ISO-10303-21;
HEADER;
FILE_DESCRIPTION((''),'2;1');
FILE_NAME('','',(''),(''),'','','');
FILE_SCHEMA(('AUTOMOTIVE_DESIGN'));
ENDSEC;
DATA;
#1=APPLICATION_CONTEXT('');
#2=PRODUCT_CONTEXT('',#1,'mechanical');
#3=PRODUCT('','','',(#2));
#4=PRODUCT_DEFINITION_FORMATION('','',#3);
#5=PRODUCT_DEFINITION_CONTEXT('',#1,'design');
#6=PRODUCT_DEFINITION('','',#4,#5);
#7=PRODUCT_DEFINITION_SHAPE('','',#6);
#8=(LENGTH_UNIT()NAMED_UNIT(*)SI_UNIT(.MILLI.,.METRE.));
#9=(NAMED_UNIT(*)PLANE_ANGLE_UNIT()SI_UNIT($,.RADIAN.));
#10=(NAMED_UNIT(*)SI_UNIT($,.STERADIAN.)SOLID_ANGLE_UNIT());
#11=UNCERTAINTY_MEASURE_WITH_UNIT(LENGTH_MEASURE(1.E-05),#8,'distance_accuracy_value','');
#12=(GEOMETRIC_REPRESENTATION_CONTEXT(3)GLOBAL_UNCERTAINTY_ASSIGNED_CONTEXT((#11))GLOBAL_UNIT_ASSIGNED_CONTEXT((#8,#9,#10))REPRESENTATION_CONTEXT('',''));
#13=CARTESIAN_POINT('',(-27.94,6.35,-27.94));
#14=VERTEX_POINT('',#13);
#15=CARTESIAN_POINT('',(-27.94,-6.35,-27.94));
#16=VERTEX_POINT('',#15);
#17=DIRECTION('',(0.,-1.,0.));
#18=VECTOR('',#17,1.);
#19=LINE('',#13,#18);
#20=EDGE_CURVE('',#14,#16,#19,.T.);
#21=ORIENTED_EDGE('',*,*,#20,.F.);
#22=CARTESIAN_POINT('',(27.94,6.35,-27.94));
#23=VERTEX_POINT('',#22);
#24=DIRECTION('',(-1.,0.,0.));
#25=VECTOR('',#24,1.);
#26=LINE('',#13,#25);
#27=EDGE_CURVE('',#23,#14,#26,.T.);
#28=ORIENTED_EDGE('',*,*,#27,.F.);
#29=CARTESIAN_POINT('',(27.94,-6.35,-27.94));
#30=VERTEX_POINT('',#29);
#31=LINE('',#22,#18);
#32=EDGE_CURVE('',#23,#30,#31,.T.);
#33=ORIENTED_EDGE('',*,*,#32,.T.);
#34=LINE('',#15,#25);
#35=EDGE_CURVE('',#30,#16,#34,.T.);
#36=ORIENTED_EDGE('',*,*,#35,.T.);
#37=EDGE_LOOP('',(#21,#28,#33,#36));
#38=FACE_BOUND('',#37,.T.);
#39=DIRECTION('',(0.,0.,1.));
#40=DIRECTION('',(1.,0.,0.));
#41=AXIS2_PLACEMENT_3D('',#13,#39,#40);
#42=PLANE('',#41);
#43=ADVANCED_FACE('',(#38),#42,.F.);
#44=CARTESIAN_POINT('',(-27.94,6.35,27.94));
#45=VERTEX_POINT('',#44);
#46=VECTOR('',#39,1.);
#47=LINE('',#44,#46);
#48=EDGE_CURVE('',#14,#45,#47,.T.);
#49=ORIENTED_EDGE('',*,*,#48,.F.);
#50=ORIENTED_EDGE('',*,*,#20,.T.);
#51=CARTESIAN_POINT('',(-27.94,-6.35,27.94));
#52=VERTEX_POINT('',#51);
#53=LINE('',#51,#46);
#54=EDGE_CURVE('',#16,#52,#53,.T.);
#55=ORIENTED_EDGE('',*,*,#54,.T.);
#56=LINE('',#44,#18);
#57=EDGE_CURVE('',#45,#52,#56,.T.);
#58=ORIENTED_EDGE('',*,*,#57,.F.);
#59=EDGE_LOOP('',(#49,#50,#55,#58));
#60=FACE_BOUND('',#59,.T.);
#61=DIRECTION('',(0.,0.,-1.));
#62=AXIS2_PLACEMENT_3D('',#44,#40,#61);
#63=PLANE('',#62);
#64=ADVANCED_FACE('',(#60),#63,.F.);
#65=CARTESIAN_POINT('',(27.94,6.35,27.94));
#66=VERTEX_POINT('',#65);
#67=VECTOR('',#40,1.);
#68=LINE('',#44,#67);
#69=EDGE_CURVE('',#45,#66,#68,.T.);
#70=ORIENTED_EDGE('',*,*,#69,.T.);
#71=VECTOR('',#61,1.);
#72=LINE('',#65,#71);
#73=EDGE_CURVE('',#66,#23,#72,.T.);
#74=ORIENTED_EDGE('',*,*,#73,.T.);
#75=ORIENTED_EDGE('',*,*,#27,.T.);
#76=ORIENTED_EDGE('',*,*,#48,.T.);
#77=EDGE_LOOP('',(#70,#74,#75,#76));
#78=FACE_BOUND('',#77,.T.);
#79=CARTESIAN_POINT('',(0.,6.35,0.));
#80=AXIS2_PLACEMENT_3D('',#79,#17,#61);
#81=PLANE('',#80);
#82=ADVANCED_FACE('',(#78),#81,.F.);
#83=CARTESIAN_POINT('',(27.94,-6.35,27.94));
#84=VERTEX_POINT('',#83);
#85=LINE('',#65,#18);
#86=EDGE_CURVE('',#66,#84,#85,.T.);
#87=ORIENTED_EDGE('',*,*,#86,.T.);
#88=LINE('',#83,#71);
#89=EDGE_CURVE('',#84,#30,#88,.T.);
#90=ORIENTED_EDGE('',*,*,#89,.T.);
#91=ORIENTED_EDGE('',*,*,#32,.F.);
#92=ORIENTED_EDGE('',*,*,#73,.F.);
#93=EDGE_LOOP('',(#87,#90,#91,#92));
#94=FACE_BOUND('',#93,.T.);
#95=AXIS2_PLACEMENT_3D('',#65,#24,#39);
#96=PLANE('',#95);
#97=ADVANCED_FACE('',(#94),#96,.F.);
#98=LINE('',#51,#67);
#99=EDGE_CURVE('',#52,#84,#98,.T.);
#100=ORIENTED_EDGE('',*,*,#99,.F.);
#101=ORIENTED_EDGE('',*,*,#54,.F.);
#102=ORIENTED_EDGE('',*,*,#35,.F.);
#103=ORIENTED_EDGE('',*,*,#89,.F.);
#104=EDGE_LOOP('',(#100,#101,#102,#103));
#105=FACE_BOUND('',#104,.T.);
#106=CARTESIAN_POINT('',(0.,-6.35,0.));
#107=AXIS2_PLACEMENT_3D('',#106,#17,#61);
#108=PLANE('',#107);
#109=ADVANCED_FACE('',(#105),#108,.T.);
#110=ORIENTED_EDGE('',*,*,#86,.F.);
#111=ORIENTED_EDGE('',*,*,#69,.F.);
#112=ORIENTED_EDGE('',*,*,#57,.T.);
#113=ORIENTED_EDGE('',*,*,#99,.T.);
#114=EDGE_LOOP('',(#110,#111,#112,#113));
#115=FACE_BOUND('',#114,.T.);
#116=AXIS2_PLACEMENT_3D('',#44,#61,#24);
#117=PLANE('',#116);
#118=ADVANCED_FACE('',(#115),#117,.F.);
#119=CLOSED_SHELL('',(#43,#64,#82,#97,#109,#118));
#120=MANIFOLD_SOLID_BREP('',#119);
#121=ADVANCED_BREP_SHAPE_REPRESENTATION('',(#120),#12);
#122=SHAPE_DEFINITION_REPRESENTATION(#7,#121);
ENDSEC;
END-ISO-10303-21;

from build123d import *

# Parameters (mm, degrees)
SKETCH1_W           = 55.88
SKETCH1_H           = 55.88
BOSS_EXTRUDE1_DEPTH = 6.35


with BuildPart() as part:
    # Sketch1 → Boss-Extrude1 (new body, symmetric)
    with BuildSketch(Plane(origin=(0, 0, 0), x_dir=(1, 0, 0), z_dir=(0, 1, 0))):
        Rectangle(SKETCH1_W, SKETCH1_H)
    extrude(amount=BOSS_EXTRUDE1_DEPTH, both=True)


solid = part.part
